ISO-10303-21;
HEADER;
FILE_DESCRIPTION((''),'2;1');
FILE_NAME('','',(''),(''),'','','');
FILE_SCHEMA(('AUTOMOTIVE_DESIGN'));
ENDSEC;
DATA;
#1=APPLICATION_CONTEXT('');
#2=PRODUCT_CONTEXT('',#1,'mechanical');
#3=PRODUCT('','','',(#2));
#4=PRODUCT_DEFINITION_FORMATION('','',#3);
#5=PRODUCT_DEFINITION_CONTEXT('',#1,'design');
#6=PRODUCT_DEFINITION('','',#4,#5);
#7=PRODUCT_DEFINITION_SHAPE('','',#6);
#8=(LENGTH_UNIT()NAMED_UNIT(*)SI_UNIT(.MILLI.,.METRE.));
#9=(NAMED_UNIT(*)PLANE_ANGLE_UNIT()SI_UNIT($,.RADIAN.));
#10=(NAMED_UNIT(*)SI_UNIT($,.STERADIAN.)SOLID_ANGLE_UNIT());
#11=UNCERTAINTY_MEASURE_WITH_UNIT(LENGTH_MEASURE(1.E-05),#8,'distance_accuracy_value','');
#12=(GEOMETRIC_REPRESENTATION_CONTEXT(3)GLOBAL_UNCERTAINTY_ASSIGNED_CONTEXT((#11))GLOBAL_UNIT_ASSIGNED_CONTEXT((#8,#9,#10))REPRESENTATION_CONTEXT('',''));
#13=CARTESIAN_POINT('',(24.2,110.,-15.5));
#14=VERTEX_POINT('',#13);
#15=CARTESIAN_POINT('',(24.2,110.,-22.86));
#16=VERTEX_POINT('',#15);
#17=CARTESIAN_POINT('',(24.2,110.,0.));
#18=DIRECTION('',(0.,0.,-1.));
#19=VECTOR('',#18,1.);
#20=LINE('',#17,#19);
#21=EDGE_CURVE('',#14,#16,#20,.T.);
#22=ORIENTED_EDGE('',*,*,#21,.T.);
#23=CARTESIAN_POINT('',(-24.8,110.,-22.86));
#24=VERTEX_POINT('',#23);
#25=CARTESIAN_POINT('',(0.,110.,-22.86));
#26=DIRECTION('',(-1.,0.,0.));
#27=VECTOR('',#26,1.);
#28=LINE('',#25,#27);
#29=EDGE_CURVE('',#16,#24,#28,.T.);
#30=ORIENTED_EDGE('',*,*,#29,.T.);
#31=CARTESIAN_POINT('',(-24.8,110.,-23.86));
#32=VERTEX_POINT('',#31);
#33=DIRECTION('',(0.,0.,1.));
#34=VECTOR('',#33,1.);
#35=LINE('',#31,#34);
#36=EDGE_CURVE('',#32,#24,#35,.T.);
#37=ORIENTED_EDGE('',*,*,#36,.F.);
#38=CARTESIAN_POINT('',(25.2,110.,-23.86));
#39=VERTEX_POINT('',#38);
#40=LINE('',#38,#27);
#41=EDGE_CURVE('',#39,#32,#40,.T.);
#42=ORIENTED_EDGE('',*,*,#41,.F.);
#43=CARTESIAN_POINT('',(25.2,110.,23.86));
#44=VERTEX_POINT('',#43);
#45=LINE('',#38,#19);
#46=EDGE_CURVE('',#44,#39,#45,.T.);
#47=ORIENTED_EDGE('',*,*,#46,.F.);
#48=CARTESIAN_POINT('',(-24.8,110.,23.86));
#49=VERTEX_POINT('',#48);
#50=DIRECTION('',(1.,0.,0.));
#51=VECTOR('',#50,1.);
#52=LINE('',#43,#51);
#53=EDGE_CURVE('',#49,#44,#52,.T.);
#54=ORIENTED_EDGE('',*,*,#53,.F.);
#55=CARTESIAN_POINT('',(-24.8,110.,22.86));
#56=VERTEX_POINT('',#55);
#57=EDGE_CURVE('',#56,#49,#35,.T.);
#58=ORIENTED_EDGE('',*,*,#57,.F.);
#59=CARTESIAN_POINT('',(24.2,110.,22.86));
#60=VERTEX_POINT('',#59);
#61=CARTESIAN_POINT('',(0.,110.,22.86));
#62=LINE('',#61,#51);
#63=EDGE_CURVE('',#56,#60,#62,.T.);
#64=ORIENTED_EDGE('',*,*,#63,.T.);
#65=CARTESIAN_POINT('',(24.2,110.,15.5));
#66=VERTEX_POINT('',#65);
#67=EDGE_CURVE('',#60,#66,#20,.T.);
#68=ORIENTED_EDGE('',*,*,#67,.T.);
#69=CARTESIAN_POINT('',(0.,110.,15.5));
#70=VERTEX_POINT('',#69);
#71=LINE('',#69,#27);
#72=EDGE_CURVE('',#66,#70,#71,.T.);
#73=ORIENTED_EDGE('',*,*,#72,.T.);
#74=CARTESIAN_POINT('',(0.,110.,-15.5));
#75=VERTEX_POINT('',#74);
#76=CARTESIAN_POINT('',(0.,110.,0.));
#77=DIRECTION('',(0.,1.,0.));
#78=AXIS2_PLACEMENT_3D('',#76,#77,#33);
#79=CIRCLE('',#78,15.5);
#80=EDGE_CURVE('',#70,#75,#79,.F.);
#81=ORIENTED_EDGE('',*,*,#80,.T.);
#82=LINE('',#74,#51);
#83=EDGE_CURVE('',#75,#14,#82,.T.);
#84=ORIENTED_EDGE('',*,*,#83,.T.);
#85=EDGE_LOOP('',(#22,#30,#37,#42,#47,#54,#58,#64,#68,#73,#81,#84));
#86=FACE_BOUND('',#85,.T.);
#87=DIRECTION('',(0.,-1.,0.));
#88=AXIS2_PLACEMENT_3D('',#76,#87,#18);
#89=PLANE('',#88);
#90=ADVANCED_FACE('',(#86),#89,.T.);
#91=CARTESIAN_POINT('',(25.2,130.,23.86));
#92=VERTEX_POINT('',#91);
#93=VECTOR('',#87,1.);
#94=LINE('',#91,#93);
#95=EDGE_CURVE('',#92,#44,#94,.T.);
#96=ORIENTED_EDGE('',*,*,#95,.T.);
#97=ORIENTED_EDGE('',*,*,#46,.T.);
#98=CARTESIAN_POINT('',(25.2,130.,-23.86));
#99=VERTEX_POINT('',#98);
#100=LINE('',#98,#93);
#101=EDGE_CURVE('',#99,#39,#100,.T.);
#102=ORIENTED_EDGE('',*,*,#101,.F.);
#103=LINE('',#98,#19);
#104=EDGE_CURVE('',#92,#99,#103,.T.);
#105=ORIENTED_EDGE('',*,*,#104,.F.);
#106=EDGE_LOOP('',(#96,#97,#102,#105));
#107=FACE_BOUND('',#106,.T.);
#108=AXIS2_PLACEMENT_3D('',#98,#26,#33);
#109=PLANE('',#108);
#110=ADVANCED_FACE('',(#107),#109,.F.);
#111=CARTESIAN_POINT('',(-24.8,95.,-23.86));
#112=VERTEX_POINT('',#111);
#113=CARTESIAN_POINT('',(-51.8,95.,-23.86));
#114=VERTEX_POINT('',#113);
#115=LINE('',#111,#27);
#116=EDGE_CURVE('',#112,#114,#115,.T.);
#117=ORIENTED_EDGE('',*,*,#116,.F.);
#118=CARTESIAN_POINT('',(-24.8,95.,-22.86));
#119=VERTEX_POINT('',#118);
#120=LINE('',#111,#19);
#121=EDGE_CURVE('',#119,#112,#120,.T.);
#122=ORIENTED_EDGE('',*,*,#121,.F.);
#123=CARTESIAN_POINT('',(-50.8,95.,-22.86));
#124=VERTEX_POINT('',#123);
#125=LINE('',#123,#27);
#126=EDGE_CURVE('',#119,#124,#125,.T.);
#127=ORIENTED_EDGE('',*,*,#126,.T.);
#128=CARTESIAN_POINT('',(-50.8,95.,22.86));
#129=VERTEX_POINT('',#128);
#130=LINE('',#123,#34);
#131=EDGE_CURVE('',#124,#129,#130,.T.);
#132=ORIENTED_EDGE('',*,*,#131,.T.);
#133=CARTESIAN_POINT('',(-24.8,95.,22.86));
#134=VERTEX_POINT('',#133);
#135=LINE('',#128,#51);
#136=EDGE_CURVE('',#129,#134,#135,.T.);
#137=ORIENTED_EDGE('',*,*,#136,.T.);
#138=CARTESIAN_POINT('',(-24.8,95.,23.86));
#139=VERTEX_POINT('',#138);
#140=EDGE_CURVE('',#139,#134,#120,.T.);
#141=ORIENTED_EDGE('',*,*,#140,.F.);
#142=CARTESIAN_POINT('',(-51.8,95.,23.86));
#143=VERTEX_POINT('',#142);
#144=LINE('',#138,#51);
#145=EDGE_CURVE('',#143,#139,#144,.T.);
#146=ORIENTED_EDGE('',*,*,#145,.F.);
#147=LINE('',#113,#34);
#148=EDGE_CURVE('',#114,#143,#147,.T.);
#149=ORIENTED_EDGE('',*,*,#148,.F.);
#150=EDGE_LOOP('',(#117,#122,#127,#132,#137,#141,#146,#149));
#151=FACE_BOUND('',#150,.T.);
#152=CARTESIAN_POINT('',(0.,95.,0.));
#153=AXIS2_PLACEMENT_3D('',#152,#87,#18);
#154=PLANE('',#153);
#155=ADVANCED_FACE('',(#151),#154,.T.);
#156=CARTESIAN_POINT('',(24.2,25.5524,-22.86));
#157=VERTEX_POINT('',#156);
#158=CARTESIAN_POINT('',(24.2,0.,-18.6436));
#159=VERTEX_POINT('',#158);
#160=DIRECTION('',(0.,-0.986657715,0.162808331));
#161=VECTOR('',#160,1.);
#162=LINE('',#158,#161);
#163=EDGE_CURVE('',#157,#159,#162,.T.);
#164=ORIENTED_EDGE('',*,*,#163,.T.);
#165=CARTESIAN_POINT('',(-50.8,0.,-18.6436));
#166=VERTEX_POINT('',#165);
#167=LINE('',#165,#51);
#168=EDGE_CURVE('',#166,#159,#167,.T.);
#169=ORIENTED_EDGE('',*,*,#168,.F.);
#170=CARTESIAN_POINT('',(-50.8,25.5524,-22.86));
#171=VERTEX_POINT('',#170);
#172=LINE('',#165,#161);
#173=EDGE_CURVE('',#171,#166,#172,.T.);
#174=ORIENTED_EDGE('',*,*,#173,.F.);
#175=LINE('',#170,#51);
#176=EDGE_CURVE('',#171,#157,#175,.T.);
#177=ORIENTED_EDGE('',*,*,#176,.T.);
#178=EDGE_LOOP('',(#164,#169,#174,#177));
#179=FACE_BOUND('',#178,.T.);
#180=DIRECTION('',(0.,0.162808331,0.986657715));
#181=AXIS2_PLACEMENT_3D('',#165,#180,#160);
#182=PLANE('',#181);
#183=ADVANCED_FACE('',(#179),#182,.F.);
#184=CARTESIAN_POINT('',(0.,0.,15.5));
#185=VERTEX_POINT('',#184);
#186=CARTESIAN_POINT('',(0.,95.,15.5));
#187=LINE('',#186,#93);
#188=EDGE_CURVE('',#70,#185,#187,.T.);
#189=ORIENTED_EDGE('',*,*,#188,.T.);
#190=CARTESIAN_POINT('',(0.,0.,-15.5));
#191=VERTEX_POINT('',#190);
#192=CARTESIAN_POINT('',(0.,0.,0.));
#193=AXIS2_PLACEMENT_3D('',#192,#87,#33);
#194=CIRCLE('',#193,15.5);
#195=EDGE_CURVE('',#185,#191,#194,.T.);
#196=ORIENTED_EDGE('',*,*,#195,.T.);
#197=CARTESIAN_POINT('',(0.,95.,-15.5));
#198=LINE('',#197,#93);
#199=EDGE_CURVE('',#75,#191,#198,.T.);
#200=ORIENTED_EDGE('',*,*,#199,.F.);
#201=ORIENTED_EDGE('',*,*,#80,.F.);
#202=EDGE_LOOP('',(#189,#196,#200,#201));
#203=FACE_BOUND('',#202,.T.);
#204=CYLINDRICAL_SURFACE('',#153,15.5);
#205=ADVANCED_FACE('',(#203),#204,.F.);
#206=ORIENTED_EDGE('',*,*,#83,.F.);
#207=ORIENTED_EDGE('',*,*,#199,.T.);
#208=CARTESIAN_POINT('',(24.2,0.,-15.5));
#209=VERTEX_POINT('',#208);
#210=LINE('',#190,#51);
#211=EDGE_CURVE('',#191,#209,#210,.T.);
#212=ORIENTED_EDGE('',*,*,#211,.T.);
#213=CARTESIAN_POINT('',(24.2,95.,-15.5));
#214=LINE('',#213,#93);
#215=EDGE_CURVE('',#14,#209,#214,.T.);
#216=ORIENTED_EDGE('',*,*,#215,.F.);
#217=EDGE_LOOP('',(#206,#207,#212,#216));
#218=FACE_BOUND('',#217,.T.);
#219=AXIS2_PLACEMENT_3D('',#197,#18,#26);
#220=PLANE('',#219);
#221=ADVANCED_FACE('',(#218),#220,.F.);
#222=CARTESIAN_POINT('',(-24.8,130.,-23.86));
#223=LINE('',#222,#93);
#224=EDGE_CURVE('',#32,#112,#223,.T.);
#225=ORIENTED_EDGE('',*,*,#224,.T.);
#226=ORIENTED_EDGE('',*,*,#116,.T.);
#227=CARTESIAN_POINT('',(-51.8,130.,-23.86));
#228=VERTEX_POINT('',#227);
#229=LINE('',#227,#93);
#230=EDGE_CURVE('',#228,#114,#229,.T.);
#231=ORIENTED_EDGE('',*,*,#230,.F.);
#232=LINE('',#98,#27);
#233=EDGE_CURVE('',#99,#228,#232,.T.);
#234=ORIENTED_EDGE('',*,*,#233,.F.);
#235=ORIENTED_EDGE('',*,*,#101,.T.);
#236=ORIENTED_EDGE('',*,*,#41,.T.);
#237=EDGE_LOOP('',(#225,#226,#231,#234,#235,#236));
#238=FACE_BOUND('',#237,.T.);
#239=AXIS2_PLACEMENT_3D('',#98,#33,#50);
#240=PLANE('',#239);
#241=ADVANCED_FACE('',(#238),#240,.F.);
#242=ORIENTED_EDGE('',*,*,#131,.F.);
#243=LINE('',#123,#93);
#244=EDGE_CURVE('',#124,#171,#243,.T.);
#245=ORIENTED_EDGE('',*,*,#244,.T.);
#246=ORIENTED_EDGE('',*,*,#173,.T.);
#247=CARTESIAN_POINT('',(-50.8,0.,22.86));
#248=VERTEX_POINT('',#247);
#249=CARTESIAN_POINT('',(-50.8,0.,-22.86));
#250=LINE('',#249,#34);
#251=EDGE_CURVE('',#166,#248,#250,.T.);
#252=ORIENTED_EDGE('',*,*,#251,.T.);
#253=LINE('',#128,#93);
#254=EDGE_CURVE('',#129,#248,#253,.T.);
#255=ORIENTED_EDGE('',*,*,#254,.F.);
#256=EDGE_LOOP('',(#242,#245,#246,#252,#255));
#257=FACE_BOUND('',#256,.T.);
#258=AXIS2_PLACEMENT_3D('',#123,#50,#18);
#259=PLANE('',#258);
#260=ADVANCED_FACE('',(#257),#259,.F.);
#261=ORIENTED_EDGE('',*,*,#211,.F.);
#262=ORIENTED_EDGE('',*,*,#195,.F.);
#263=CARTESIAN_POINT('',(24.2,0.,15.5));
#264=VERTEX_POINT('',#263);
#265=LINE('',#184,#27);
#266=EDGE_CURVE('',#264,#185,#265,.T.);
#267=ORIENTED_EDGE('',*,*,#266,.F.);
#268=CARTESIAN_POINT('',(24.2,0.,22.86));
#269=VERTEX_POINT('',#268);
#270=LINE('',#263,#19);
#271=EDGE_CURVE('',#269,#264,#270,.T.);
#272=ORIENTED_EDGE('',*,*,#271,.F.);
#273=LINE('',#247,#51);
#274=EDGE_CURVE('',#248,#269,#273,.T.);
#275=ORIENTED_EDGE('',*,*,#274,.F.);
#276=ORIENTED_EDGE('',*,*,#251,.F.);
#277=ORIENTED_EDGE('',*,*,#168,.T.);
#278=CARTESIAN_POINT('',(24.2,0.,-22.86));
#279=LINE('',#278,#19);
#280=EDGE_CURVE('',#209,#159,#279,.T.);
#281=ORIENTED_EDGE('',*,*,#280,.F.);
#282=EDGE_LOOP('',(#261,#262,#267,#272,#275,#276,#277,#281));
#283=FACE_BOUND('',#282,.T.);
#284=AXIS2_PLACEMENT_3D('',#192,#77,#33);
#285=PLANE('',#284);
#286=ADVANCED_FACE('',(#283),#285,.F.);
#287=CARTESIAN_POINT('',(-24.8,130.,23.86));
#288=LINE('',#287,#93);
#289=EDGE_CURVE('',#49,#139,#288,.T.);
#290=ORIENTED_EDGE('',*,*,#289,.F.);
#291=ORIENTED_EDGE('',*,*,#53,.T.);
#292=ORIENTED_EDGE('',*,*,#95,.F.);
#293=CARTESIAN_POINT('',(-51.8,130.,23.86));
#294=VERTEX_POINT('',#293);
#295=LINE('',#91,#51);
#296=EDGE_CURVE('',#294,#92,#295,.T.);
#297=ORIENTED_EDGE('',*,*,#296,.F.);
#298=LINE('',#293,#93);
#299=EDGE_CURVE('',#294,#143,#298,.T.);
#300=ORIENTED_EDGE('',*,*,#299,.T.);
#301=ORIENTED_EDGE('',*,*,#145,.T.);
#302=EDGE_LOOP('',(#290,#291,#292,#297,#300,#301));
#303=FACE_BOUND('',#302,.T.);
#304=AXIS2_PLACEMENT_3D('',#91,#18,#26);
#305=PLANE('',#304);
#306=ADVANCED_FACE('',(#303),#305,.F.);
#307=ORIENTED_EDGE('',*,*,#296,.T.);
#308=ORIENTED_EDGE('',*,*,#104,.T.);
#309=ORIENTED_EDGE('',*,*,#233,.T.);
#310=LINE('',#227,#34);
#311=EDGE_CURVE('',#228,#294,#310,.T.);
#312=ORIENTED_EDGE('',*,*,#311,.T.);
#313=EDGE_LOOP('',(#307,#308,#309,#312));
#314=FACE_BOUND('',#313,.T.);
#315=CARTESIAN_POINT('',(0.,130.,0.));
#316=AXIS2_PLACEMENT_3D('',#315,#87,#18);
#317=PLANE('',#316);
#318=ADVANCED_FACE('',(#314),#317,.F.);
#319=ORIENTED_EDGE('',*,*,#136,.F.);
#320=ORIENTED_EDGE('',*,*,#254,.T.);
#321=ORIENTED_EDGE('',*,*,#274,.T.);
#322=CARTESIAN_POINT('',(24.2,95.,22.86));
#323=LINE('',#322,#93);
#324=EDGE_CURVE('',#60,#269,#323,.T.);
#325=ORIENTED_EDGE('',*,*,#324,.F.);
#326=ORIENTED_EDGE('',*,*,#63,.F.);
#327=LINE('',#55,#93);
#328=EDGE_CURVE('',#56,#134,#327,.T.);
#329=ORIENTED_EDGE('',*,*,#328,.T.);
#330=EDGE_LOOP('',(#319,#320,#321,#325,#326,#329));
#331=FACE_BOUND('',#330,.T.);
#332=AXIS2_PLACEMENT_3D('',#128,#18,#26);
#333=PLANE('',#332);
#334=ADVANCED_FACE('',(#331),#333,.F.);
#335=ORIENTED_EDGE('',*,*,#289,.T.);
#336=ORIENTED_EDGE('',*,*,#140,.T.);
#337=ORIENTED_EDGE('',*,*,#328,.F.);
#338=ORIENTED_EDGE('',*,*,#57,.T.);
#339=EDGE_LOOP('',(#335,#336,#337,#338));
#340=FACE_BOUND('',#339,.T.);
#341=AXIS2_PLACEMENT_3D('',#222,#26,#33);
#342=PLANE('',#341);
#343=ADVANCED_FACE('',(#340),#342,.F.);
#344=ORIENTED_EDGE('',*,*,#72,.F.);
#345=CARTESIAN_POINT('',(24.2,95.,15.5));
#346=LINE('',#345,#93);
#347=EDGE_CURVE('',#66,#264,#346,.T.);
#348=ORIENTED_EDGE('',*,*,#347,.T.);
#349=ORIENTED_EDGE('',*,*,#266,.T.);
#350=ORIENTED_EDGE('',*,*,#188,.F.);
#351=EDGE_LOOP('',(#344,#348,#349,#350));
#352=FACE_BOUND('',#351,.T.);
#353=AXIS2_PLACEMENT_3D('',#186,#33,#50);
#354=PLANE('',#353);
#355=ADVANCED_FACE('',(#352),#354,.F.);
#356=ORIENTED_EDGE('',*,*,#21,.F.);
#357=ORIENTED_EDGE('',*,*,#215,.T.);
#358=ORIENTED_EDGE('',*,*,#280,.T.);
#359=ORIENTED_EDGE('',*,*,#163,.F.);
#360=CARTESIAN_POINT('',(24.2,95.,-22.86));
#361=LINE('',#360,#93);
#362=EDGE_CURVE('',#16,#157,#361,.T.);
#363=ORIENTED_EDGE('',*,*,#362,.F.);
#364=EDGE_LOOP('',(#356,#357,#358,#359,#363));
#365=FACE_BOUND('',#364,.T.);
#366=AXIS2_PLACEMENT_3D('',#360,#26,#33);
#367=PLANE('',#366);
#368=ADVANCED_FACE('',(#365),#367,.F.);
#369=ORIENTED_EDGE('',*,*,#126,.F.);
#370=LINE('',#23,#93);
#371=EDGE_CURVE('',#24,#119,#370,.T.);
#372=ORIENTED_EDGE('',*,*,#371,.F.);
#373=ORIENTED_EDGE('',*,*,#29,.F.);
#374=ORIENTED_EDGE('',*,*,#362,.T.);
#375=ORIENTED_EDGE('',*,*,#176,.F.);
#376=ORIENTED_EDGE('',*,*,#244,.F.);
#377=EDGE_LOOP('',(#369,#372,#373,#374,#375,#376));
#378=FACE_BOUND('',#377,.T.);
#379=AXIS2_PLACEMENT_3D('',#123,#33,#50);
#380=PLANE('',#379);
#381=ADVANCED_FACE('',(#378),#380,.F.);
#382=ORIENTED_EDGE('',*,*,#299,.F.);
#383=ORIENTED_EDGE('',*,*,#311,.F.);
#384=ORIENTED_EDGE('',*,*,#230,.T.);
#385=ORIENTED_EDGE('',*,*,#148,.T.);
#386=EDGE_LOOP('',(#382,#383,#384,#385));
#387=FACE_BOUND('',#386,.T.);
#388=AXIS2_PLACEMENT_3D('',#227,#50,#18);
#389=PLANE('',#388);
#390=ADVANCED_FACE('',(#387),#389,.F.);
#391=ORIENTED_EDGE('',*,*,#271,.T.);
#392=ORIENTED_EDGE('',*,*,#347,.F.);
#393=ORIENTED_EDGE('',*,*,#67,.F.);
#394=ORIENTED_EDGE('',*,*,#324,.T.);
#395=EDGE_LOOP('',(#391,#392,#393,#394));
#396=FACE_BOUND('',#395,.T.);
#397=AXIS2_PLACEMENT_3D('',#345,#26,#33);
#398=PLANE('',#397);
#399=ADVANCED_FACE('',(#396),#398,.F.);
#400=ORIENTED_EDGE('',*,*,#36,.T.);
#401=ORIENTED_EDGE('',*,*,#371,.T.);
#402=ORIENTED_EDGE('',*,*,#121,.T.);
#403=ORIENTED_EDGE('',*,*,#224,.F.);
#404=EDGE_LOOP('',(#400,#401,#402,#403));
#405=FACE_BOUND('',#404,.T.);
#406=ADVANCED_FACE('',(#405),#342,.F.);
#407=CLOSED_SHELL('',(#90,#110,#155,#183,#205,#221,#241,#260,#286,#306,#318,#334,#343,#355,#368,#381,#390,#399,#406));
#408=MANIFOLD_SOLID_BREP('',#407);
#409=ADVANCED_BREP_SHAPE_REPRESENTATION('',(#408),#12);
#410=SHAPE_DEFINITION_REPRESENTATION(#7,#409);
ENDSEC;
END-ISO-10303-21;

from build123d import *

# Parameters (mm, degrees)
BOSS_EXTRUDE1_DEPTH = 95
CUT_EXTRUDE1_DEPTH  = 124.177025455
BOSS_EXTRUDE2_DEPTH = 15
SKETCH4_W           = 50
SKETCH4_H           = 47.72
BOSS_EXTRUDE3_DEPTH = 20
SKETCH5_W           = 27
SKETCH5_H           = 47.72
BOSS_EXTRUDE4_DEPTH = 35


with BuildPart() as part:
    # Sketch1 → Boss-Extrude1 (new body)
    with BuildSketch(Plane(origin=(0, 0, 0), x_dir=(1, 0, 0), z_dir=(0, 1, 0))):
        with BuildLine():
            Line((-50.8, 22.86), (24.2, 22.86))
            Line((24.2, 22.86), (24.2, 15.5))
            Line((24.2, 15.5), (0, 15.5))
            ThreePointArc((0, 15.5), (-15.5, 0), (0, -15.5))
            Line((0, -15.5), (24.2, -15.5))
            Line((24.2, -15.5), (24.2, -22.86))
            Line((24.2, -22.86), (-50.8, -22.86))
            Line((-50.8, -22.86), (-50.8, 22.86))
        make_face()
    extrude(amount=BOSS_EXTRUDE1_DEPTH)

    # Sketch2 → Cut-Extrude1 (cut, through all)
    with BuildSketch(Plane(origin=(24.2, 0, 0), x_dir=(0, 0, -1), z_dir=(1, 0, 0))):
        Polygon((22.86, 0), (18.6436, 0), (22.86, 25.5524), align=None)
    extrude(amount=-CUT_EXTRUDE1_DEPTH, mode=Mode.SUBTRACT)

    # Sketch3 → Boss-Extrude2 (add)
    with BuildSketch(Plane(origin=(0, 95, 0), x_dir=(1, 0, 0), z_dir=(0, 1, 0))):
        with BuildLine():
            Line((24.2, 15.5), (24.2, 22.86))
            Line((24.2, 22.86), (-24.8, 22.86))
            Line((-24.8, 22.86), (-24.8, -22.86))
            Line((-24.8, -22.86), (24.2, -22.86))
            Line((24.2, -22.86), (24.2, -15.5))
            Line((24.2, -15.5), (0, -15.5))
            ThreePointArc((0, -15.5), (-15.5, 0), (0, 15.5))
            Line((0, 15.5), (24.2, 15.5))
        make_face()
    extrude(amount=BOSS_EXTRUDE2_DEPTH)

    # Sketch4 → Boss-Extrude3 (add)
    with BuildSketch(Plane(origin=(0, 110, 0), x_dir=(1, 0, 0), z_dir=(0, 1, 0))):
        with Locations((0.2, 0)):
            Rectangle(SKETCH4_W, SKETCH4_H)
    extrude(amount=BOSS_EXTRUDE3_DEPTH)

    # Sketch5 → Boss-Extrude4 (add)
    with BuildSketch(Plane(origin=(0, 95, 0), x_dir=(1, 0, 0), z_dir=(0, 1, 0))):
        with Locations((-38.3, 0)):
            Rectangle(SKETCH5_W, SKETCH5_H)
    extrude(amount=BOSS_EXTRUDE4_DEPTH)


solid = part.part
